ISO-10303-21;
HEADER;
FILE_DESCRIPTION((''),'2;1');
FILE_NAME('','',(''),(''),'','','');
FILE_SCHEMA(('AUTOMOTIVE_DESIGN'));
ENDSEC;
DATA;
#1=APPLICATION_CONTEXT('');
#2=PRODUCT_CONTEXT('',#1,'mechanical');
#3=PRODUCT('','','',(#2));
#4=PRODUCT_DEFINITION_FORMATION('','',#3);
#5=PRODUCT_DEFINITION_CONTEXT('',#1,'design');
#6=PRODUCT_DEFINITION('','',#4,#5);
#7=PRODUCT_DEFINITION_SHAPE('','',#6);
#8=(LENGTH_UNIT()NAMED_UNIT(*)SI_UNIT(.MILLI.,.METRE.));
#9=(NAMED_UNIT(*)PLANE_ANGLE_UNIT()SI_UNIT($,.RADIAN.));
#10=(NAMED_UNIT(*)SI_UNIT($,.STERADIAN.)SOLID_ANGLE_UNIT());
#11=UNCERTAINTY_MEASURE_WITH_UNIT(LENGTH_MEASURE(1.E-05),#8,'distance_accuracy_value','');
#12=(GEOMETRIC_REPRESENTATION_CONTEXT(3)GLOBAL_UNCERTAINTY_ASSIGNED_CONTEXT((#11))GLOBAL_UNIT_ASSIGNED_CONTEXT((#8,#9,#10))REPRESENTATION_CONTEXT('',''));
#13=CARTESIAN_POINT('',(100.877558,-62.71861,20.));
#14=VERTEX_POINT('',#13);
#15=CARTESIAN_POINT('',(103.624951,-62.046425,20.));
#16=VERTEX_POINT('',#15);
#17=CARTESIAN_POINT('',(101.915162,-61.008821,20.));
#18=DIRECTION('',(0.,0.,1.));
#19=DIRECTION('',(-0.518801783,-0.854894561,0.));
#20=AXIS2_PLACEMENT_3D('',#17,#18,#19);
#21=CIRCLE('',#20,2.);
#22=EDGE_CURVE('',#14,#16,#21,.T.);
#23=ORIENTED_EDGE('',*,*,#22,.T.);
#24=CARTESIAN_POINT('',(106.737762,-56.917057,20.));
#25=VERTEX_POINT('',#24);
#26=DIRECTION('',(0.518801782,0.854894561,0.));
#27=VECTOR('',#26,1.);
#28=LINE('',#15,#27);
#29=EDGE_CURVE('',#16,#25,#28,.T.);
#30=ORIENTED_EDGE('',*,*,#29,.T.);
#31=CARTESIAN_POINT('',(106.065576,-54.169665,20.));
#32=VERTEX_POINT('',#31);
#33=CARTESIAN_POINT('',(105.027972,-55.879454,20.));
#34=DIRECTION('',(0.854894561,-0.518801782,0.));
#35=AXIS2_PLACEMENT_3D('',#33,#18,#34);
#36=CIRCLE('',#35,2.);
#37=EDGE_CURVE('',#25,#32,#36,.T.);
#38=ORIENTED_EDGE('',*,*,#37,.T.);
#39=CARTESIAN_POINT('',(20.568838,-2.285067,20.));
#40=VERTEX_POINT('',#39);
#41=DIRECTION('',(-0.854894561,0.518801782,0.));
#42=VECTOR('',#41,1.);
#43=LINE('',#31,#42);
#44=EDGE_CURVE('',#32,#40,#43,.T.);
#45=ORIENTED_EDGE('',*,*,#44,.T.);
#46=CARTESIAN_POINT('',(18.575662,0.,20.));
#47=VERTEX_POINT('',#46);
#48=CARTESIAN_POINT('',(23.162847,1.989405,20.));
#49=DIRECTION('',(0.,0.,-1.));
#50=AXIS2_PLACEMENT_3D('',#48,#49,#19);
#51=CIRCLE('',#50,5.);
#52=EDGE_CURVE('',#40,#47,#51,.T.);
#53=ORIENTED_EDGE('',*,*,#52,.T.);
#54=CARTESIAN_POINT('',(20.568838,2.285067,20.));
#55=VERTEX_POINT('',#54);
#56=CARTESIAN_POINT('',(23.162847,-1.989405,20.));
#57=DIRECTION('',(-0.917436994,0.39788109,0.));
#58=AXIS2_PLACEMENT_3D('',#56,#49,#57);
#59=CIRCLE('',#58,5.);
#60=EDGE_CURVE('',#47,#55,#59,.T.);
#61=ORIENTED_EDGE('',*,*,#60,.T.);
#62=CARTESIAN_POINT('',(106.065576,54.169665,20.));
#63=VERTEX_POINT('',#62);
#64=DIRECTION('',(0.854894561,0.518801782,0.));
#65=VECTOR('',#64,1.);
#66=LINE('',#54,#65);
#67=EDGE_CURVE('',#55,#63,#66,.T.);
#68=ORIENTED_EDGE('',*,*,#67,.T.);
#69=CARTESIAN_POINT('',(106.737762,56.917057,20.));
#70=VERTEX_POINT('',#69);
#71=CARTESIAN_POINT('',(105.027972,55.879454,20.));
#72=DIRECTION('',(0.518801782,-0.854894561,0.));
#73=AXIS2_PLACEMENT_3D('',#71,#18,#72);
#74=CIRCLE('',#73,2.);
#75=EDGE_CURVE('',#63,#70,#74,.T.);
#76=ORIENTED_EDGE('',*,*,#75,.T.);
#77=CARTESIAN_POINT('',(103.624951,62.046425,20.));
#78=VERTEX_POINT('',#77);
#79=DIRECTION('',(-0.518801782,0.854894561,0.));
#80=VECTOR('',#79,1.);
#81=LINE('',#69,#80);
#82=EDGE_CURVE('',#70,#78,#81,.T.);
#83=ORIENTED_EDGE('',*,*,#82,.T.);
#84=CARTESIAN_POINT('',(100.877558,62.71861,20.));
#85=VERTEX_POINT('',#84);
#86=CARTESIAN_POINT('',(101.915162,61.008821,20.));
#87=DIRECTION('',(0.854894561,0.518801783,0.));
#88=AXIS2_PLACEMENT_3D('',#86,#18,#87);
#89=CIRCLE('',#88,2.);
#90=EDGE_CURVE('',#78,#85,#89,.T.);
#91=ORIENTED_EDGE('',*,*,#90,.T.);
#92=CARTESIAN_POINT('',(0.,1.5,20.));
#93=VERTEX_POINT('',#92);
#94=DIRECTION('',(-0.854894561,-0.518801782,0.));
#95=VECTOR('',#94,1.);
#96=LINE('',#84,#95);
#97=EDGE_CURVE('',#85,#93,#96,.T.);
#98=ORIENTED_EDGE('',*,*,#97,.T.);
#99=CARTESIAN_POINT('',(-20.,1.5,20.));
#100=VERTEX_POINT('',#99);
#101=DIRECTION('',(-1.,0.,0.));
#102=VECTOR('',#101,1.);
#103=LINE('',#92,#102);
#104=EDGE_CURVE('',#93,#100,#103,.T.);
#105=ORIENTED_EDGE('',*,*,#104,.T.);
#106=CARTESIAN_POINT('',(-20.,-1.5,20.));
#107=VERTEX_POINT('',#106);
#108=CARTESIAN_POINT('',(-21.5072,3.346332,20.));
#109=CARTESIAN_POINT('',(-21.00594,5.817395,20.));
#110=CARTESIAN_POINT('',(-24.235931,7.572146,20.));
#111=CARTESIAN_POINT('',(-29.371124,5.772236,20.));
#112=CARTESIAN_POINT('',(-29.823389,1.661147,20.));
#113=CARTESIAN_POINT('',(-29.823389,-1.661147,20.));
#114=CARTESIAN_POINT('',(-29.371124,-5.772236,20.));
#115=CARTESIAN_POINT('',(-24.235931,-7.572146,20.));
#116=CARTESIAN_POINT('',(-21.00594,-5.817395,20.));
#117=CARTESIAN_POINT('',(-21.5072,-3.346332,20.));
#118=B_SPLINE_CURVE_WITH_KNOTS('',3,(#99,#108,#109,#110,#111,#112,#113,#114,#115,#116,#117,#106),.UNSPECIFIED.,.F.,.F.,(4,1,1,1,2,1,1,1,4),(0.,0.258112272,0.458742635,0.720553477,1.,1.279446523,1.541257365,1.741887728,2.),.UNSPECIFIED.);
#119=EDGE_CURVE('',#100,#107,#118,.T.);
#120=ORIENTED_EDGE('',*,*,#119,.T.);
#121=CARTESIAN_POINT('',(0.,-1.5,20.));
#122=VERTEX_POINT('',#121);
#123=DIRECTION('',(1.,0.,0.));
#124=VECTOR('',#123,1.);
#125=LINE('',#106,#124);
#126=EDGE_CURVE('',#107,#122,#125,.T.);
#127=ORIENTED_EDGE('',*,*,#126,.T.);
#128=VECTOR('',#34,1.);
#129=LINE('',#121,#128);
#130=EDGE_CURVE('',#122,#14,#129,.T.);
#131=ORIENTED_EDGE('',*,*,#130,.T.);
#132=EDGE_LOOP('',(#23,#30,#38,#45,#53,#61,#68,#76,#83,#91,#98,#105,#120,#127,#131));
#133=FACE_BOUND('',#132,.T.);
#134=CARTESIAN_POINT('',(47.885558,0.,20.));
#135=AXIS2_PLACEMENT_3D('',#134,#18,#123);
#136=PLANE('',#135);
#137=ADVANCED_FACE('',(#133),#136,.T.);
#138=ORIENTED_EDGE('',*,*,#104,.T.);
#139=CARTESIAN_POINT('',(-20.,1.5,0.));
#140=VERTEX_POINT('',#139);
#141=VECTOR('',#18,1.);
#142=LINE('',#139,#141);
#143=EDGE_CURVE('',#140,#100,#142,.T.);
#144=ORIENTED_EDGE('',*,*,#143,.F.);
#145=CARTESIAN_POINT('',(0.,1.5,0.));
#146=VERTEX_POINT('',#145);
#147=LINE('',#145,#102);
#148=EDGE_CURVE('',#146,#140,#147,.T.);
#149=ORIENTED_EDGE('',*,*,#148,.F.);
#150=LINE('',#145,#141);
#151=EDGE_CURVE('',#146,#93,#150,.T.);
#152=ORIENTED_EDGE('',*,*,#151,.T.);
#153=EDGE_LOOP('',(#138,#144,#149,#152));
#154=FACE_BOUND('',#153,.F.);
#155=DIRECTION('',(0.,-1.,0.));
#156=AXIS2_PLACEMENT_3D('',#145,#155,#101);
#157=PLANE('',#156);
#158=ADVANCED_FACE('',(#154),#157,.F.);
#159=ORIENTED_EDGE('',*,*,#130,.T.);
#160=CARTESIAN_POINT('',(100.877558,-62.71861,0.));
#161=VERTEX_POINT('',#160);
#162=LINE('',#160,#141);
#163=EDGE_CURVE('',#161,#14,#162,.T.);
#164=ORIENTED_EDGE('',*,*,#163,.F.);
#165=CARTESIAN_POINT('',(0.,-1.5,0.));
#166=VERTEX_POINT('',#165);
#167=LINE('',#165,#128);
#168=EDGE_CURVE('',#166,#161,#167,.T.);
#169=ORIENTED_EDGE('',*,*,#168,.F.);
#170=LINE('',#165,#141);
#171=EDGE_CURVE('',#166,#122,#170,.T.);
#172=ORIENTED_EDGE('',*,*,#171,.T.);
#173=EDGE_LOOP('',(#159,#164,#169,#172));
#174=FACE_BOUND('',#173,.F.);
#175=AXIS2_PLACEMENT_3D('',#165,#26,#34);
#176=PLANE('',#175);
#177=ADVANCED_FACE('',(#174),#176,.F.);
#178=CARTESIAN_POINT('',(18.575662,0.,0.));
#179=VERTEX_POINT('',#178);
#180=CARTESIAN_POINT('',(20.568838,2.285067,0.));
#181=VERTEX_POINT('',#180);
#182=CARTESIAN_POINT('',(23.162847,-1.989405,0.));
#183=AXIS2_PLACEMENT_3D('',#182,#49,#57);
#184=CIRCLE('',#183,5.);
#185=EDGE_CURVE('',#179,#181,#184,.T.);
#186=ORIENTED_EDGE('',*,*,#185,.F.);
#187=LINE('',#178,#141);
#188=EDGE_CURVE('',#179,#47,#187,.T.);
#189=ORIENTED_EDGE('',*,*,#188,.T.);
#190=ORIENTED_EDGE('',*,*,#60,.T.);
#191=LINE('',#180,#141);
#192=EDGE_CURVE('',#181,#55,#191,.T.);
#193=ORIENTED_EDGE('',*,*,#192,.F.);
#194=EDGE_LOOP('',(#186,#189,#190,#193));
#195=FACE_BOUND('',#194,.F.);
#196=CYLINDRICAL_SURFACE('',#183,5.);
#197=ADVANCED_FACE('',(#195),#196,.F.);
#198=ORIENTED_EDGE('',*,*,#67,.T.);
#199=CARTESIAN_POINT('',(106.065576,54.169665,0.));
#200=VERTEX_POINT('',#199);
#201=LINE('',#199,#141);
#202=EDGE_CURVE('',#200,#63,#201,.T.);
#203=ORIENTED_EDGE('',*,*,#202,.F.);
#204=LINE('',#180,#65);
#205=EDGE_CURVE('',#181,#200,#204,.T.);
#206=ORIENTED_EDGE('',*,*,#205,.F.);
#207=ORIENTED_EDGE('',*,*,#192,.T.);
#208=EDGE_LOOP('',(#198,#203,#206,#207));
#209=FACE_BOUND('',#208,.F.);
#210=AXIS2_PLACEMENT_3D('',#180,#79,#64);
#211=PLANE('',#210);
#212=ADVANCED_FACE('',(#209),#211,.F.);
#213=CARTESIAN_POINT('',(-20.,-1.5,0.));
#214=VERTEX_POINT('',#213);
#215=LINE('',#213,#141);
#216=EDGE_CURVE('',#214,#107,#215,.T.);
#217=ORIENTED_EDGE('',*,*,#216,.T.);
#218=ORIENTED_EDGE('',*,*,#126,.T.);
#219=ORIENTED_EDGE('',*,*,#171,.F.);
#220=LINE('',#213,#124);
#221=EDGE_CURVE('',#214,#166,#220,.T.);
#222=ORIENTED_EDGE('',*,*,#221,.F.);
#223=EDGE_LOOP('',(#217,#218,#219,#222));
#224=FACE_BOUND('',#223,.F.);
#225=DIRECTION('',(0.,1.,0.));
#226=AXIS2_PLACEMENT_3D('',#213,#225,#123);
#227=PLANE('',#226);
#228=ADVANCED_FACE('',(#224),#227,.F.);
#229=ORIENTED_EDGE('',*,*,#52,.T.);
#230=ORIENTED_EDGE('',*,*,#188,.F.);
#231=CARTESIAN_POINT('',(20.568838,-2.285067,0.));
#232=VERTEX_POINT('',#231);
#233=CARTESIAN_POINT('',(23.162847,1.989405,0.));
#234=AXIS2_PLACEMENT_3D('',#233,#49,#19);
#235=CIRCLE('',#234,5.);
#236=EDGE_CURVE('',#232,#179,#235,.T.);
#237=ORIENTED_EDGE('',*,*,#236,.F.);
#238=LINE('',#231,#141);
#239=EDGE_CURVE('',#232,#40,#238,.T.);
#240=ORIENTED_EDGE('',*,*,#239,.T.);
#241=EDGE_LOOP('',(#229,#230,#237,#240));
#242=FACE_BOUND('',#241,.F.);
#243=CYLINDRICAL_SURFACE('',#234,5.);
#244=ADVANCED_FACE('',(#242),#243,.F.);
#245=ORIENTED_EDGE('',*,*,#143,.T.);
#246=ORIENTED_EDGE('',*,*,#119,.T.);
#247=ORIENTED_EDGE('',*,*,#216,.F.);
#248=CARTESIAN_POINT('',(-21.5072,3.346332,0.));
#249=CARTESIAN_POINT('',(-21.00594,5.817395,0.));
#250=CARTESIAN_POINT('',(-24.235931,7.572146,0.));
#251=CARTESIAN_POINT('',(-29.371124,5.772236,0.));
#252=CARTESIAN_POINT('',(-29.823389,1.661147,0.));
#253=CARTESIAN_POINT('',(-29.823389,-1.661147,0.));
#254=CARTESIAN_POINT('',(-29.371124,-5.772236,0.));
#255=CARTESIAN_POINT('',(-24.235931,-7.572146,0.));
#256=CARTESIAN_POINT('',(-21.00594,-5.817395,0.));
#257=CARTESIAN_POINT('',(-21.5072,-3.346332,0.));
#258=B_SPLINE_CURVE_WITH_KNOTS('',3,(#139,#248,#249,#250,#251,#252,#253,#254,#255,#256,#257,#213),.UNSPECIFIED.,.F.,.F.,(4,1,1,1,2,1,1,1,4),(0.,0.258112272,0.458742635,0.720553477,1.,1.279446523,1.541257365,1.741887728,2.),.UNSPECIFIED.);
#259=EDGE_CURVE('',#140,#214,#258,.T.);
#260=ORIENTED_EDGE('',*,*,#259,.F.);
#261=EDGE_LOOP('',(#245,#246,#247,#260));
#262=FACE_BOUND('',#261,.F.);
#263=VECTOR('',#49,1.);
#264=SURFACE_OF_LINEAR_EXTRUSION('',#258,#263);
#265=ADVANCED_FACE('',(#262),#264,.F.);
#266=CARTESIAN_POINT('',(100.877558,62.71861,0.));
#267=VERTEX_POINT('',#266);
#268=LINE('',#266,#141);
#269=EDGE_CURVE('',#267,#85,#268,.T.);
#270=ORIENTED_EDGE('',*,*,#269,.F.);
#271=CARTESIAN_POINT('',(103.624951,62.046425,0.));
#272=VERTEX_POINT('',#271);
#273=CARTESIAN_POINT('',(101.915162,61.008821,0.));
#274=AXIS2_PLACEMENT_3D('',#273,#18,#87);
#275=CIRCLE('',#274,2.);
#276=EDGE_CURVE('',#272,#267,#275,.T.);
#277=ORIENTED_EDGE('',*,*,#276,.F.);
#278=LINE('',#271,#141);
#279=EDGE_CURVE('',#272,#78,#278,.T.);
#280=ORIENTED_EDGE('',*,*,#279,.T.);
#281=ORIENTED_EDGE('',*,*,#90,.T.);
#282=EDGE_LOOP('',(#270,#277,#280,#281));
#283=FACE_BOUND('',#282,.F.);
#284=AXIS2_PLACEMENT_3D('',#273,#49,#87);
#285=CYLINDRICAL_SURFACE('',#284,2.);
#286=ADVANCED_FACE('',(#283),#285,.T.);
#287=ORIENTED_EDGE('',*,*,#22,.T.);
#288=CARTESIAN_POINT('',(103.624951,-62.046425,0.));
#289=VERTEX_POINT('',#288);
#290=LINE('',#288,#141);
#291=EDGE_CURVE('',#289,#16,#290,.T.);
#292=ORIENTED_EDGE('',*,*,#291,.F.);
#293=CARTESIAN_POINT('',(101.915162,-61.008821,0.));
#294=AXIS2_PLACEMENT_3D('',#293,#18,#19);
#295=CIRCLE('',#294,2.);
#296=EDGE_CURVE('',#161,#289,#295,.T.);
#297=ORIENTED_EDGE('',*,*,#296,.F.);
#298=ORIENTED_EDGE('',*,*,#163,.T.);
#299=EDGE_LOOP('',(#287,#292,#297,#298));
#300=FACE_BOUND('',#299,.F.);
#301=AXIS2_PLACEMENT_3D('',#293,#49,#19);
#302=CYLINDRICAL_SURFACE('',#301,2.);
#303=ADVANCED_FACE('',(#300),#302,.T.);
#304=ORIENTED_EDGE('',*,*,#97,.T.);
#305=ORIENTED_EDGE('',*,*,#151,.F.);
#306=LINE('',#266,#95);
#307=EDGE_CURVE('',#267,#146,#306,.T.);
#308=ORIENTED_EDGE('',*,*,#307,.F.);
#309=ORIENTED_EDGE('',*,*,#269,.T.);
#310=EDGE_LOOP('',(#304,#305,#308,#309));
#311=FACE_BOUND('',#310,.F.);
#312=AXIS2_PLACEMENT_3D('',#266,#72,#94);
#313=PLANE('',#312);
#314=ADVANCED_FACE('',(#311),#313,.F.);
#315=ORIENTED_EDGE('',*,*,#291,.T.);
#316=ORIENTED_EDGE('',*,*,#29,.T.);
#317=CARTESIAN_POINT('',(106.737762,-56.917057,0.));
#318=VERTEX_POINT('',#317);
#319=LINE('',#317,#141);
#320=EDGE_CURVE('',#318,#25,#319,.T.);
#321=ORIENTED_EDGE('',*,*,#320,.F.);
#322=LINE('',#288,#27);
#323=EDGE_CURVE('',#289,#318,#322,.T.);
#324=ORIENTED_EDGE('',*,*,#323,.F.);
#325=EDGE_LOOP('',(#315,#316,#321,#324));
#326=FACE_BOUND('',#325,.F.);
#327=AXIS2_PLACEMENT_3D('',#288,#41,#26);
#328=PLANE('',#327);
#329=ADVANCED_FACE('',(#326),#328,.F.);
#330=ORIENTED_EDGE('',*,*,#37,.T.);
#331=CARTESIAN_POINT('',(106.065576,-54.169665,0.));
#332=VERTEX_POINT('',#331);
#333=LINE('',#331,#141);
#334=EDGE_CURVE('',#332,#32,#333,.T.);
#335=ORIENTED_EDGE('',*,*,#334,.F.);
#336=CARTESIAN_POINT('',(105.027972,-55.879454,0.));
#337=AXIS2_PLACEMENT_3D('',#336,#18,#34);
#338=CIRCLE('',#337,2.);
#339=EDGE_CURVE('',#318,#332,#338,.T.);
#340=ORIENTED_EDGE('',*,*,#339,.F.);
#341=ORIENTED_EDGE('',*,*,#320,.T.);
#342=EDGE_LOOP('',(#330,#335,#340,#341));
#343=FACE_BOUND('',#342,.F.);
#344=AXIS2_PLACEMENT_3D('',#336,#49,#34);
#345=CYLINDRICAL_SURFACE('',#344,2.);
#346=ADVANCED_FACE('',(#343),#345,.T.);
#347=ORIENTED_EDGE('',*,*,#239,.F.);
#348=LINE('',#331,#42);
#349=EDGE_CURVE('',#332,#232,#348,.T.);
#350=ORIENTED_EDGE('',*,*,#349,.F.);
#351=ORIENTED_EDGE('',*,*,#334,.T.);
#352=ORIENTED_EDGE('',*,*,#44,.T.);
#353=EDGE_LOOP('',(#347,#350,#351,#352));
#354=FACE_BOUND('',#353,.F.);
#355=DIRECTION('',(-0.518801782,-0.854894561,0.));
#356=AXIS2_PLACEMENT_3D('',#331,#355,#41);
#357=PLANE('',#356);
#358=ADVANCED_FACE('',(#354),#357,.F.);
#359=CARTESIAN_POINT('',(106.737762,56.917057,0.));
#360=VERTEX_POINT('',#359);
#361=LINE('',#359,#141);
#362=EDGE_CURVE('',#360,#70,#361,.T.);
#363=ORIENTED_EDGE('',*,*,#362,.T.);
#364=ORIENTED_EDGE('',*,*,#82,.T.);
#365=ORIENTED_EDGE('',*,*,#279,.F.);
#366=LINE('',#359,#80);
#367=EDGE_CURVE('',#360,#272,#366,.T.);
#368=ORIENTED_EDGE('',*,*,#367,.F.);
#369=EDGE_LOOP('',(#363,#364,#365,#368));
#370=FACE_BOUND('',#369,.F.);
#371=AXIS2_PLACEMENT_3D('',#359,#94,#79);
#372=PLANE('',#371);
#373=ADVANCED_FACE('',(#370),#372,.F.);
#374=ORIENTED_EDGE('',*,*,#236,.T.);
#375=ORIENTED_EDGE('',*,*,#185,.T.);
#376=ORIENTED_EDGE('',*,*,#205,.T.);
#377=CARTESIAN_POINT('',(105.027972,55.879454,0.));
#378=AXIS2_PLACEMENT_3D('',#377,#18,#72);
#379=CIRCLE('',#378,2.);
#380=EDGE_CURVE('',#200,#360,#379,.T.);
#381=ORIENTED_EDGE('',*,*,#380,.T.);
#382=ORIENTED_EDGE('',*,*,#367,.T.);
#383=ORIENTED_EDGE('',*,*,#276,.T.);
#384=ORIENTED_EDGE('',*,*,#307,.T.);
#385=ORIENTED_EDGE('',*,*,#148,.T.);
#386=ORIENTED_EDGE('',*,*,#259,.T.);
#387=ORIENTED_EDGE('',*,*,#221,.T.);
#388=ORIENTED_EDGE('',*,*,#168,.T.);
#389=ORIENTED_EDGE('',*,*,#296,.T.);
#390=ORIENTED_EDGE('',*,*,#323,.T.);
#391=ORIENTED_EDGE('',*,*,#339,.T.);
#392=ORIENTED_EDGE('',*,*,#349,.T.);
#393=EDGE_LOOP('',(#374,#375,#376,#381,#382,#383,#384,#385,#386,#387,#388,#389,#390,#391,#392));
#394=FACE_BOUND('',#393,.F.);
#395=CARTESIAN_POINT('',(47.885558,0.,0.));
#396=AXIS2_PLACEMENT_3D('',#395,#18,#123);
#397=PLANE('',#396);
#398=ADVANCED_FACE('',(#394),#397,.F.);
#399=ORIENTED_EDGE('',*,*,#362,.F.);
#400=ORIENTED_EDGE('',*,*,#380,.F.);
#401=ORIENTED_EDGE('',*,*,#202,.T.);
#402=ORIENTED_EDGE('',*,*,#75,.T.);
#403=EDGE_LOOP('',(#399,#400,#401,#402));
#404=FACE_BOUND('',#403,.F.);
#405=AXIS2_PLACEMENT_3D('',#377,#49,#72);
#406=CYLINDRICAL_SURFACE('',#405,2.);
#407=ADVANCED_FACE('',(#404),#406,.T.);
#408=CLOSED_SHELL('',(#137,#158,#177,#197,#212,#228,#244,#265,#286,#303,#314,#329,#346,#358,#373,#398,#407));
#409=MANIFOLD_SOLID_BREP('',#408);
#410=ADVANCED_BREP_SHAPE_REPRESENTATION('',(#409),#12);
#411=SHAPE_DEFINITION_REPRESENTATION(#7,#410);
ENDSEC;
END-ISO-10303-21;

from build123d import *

# Parameters (mm, degrees)
F1_DEPTH = 20


with BuildPart() as f1:
    # F0 (on Top) → F1 (new body)
    with BuildSketch(Plane.XY):
        with BuildLine():
            ThreePointArc((106.0655760263, 54.1696647247), (106.9706724609, 55.4041468811), (106.7377615834, 56.9170574117))
            Line((106.7377615834, 56.9170574117), (103.6249508884, 62.0464247779))
            ThreePointArc((103.6249508884, 62.0464247779), (102.3904687319, 62.9515212125), (100.8775582013, 62.7186103349))
            Line((100.8775582013, 62.7186103349), (0, 1.5))
            Line((0, 1.5), (-20, 1.5))
            add(Edge.make_bspline(
                [(-29.8233889043, 0), (-29.8233889043, 1.661147025), (-29.3711235815, 5.7722360442), (-24.2359312024, 7.5721457304), (-21.0059400714, 5.8173947763), (-21.5071995604, 3.3463318732), (-20, 1.5)],
                knots=[0, 0, 0, 0, 0.2794465231, 0.5412573651, 0.741887728, 1, 1, 1, 1], degree=3))
            add(Edge.make_bspline(
                [(-29.8233889043, 0), (-29.8233889043, -1.661147025), (-29.3711235815, -5.7722360442), (-24.2359312024, -7.5721457304), (-21.0059400714, -5.8173947763), (-21.5071995604, -3.3463318732), (-20, -1.5)],
                knots=[0, 0, 0, 0, 0.2794465231, 0.5412573651, 0.741887728, 1, 1, 1, 1], degree=3))
            Line((-20, -1.5), (0, -1.5))
            Line((0, -1.5), (100.8775582013, -62.7186103349))
            ThreePointArc((100.8775582013, -62.7186103349), (102.3904687319, -62.9515212125), (103.6249508884, -62.0464247779))
            Line((103.6249508884, -62.0464247779), (106.7377615834, -56.9170574117))
            ThreePointArc((106.7377615834, -56.9170574117), (106.9706724609, -55.4041468811), (106.0655760263, -54.1696647247))
            Line((106.0655760263, -54.1696647247), (20.5688379868, -2.2850673546))
            ThreePointArc((20.5688379868, -2.2850673546), (19.394854118, -1.2972692215), (18.5756619288, 0))
            ThreePointArc((18.5756619288, 0), (19.394854118, 1.2972692215), (20.5688379868, 2.2850673546))
            Line((20.5688379868, 2.2850673546), (106.0655760263, 54.1696647247))
        make_face()
        with BuildLine():
            ThreePointArc((18.1628468993, 1.9894054505), (18.2671383269, 0.9735129494), (18.5756619288, 0))
            ThreePointArc((18.5756619288, 0), (18.2671383269, -0.9735129494), (18.1628468993, -1.9894054505))
            Line((18.1628468993, -1.9894054505), (18.1628468993, 0))
            Line((18.1628468993, 0), (18.1628468993, 1.9894054505))
        make_face(mode=Mode.SUBTRACT)
        with BuildLine():
            ThreePointArc((18.1628468993, -1.9894054505), (18.2671383269, -0.9735129494), (18.5756619288, 0))
            ThreePointArc((18.5756619288, 0), (18.2671383269, 0.9735129494), (18.1628468993, 1.9894054505))
            Line((18.1628468993, 1.9894054505), (18.1628468993, 0))
            Line((18.1628468993, 0), (18.1628468993, -1.9894054505))
        make_face()
    extrude(amount=F1_DEPTH)


solid = f1.part
